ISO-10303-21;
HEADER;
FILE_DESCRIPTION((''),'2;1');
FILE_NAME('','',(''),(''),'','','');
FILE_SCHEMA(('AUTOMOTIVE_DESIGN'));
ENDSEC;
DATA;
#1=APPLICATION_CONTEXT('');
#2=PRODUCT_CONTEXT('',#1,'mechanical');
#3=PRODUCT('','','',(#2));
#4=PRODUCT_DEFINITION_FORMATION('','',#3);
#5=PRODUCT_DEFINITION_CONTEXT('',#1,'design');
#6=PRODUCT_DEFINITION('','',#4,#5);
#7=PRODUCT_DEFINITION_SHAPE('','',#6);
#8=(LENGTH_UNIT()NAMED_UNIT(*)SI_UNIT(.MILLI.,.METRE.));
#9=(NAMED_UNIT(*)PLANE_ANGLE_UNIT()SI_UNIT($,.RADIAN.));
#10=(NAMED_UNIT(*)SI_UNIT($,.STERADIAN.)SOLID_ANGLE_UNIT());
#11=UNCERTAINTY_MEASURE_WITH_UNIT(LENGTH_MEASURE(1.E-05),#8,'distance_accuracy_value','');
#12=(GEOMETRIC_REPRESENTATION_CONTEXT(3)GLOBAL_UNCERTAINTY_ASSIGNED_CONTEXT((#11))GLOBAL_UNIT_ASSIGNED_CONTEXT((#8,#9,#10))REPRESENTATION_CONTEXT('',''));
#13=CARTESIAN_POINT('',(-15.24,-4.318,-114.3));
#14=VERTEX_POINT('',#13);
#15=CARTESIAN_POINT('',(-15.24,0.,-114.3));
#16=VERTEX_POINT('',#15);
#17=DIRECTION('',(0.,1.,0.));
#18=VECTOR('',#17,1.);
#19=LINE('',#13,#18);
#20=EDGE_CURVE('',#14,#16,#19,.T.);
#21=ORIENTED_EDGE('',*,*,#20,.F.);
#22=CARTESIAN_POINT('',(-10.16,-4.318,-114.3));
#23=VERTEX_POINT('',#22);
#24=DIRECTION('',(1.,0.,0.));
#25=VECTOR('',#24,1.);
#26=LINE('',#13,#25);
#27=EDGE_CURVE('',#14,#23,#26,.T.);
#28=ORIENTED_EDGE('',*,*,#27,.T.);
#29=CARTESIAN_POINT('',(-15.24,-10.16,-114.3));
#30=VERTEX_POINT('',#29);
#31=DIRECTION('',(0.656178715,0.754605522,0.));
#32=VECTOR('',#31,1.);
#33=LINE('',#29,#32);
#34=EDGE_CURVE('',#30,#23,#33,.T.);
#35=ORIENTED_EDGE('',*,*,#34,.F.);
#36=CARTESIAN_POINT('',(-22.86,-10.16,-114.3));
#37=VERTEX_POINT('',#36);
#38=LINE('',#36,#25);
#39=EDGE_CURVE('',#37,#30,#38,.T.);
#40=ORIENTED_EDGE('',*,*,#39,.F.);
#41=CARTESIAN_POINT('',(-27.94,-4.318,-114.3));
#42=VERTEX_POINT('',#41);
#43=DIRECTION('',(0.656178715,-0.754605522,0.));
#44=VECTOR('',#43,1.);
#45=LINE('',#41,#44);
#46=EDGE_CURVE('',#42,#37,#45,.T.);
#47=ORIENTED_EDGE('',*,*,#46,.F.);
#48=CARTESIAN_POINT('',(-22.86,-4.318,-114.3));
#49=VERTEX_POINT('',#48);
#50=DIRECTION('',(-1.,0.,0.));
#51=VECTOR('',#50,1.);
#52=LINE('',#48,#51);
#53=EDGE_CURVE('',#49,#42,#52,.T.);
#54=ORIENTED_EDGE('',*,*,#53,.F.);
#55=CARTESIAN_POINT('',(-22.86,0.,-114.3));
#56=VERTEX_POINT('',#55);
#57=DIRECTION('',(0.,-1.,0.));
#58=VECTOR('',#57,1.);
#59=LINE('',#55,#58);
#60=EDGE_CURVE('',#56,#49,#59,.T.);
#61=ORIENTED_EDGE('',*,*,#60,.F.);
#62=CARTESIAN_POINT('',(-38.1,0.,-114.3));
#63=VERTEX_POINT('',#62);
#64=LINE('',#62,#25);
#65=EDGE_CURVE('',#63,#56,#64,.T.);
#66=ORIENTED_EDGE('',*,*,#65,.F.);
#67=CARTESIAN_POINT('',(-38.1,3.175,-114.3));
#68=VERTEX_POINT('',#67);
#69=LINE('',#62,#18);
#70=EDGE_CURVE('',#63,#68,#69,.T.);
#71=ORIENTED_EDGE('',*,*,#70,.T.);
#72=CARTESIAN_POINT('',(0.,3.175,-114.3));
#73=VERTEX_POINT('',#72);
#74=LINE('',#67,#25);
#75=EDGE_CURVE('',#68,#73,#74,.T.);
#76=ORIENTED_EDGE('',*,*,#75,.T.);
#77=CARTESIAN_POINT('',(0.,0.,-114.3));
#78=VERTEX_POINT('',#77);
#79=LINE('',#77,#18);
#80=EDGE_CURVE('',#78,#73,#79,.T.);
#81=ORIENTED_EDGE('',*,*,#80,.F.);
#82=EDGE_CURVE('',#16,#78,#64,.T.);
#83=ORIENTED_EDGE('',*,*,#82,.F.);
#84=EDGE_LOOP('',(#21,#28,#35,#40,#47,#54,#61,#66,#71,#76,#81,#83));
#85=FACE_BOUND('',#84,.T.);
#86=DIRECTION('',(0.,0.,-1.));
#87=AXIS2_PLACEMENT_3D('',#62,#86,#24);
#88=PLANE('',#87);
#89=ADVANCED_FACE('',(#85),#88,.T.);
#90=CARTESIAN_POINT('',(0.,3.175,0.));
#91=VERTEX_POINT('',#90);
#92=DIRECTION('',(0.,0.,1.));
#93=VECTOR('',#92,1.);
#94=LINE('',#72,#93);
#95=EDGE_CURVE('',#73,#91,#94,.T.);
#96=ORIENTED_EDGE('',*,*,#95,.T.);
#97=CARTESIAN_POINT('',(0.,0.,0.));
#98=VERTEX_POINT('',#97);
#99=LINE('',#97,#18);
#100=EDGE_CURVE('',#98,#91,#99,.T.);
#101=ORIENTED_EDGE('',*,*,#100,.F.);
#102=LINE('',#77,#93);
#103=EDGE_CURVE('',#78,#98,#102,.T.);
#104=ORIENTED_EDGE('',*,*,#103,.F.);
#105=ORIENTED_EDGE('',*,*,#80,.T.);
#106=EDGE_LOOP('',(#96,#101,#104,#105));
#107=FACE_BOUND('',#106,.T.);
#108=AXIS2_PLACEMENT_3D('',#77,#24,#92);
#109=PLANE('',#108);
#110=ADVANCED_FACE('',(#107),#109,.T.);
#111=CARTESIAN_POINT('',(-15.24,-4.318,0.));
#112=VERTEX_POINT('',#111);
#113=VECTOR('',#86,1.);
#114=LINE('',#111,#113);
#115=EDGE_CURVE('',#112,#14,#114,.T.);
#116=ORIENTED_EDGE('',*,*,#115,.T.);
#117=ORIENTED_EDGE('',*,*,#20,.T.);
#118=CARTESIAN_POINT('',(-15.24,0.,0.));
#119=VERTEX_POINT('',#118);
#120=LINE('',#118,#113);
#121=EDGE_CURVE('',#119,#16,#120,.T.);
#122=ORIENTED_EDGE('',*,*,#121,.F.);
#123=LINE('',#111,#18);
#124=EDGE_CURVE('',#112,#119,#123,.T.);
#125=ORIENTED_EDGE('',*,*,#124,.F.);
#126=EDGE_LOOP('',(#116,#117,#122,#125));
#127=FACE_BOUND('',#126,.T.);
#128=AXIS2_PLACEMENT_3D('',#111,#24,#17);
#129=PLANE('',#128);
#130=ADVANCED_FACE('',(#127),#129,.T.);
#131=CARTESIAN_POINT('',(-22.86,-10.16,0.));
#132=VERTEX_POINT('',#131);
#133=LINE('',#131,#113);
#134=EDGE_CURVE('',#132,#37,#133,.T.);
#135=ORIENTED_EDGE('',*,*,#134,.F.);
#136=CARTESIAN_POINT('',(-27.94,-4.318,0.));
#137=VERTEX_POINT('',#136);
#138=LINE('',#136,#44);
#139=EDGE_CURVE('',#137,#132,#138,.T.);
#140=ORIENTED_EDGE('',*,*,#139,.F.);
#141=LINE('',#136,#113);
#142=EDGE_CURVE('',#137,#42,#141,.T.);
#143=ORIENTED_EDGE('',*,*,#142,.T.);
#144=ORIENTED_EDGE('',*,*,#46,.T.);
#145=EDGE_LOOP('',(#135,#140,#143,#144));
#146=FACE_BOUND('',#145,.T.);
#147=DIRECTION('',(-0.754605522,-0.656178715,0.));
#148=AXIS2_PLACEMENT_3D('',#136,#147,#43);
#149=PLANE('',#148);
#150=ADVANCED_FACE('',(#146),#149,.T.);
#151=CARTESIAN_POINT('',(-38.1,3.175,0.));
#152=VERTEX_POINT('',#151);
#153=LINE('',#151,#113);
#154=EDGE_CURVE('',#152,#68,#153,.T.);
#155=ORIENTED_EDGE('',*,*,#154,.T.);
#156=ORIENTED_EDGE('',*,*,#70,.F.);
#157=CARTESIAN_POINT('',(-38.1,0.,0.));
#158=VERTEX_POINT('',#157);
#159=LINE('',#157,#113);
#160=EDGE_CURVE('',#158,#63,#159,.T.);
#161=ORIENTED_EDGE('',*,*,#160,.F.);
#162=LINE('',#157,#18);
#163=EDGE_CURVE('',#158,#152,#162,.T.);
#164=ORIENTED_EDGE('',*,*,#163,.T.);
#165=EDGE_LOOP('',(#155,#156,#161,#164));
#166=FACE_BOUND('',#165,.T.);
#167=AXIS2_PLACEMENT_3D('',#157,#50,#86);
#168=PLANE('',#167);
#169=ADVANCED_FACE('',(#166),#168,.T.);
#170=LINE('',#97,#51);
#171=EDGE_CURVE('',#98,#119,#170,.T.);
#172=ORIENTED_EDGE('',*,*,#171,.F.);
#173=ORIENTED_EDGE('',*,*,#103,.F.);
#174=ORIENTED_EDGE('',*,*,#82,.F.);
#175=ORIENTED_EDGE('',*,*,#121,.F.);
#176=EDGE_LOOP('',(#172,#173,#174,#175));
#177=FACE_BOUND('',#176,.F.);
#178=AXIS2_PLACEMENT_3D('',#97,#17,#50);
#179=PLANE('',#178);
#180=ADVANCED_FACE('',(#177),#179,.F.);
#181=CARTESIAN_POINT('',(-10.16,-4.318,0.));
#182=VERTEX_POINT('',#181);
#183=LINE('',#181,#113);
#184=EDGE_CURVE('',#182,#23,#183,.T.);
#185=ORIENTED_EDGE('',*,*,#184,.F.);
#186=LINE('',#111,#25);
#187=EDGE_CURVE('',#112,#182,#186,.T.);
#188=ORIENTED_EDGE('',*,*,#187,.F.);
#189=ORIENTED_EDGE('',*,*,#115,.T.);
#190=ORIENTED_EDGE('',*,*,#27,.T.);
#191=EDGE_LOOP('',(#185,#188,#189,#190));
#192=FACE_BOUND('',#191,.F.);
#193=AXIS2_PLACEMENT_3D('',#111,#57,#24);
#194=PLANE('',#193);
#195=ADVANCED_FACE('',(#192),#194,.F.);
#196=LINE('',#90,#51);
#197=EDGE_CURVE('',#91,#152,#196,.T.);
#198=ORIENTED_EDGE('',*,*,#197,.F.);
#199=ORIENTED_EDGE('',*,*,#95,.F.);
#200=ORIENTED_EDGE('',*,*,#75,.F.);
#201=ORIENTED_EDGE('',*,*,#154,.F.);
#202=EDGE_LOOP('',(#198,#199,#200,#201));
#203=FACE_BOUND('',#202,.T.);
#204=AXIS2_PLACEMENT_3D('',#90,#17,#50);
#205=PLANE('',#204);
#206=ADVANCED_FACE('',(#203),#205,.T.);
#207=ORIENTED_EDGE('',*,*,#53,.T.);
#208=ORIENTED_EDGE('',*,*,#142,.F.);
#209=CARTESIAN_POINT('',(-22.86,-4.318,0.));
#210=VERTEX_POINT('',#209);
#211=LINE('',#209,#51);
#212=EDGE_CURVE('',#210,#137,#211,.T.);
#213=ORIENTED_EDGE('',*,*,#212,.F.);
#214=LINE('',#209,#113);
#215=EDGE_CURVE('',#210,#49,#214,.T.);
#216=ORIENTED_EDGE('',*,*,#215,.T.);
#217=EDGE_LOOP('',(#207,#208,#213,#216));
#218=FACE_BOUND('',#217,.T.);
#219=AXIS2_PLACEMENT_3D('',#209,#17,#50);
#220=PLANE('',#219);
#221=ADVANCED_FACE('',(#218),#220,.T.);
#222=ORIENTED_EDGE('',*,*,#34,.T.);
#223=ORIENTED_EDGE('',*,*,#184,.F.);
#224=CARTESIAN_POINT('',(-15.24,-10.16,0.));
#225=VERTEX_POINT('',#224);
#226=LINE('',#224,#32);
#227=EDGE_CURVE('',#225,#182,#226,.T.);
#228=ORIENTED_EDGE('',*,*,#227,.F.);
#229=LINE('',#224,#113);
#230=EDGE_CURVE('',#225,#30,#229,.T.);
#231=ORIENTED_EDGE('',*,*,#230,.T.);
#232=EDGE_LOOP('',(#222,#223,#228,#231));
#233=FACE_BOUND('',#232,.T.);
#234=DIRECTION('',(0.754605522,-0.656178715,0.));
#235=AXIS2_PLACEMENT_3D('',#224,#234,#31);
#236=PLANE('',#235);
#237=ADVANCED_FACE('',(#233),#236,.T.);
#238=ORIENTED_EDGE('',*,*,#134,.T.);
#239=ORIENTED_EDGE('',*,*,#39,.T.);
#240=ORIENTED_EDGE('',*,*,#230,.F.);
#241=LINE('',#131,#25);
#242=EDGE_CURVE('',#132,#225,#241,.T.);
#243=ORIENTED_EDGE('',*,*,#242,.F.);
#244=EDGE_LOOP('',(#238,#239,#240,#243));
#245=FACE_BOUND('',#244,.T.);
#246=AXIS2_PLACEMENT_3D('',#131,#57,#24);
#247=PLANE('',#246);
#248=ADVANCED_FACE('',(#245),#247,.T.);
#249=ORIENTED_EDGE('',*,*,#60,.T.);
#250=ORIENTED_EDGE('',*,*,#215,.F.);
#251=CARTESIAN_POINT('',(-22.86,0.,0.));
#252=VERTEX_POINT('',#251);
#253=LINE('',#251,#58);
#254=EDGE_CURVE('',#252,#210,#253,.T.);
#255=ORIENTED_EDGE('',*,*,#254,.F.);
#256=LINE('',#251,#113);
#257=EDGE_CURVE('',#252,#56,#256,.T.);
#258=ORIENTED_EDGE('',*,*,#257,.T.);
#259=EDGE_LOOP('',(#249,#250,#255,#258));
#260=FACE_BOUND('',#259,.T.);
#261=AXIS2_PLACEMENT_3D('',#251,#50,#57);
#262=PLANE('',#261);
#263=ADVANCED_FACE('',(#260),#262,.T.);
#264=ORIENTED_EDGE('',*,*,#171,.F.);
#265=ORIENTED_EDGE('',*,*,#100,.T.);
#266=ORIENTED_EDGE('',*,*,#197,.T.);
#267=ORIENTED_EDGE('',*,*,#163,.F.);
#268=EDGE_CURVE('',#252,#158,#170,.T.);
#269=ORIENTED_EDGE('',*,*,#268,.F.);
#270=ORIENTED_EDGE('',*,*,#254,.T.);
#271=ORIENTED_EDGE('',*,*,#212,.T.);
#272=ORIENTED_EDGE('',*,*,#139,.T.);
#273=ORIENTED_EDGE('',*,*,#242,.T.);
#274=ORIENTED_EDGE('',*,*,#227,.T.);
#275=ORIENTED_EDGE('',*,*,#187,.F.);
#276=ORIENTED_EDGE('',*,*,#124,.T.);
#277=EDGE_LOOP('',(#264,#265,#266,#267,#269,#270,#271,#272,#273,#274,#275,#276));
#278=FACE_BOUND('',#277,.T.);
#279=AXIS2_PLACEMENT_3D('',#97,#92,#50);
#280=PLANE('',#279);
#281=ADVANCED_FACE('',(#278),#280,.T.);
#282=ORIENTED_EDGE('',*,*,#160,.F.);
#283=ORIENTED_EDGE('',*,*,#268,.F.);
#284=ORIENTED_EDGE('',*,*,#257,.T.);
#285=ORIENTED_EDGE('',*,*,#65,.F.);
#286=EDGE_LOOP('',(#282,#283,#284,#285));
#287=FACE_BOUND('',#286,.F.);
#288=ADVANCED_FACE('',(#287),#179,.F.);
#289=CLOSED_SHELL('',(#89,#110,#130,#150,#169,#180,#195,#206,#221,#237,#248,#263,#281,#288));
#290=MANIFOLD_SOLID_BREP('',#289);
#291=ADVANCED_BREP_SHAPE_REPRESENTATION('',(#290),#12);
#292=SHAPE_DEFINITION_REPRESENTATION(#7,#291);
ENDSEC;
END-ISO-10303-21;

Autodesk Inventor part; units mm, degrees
ref_plane "YZ Plane" through (0, 0, 0) normal (1, 0, 0) x (0, 1, 0)
ref_plane "XZ Plane" through (0, 0, 0) normal (0, 1, 0) x (-1, 0, 0)
ref_plane "XY Plane" through (0, 0, 0) normal (0, 0, 1) x (1, 0, 0)
sketch "Sketch1" plane through (0, 0, 0) normal (0, 1, 0) x (-1, 0, 0)
  line L0 (0, 0) -> (38.1, 0)
  line L1 (38.1, 0) -> (38.1, -114.3)
  line L2 (38.1, -114.3) -> (0, -114.3)
  line L3 (0, -114.3) -> (0, 0)
  dimension "d0" = 38.1
  dimension "d1" = 114.3
extrude "Extrusion1" add sketch "Sketch1" along normal blind 3.175
sketch "Sketch2" plane through (-38.1, 0, 0) normal (0, 0, 1) x (1, 0, 0)
  line L0 (38.1, 0) -> (0, 0) projected
  line L1 (15.24, 0) -> (15.24, -4.318)
  line L2 (22.86, -4.318) -> (22.86, 0)
  line L3 (15.24, 0) -> (22.86, 0)
  line L4 (0, 0) -> (0, 3.175) projected
  line L5 (38.1, 0) -> (38.1, 3.175) projected
  line L6 (22.86, -4.318) -> (27.94, -4.318)
  line L7 (15.24, -4.318) -> (10.16, -4.318)
  line L8 (10.16, -4.318) -> (15.24, -10.16)
  line L9 (15.24, -10.16) -> (22.86, -10.16)
  line L10 (22.86, -10.16) -> (27.94, -4.318)
  dimension "d4" = 15.24
  dimension "d5" = 15.24
  dimension "d7" = 5.08
  dimension "d8" = 5.08
  dimension "d9" = 7.62
  dimension "d10" = 10.16
extrude "Extrusion2" add sketch "Sketch2" against normal blind 114.3
properties part number "railMount_4.5inch"
